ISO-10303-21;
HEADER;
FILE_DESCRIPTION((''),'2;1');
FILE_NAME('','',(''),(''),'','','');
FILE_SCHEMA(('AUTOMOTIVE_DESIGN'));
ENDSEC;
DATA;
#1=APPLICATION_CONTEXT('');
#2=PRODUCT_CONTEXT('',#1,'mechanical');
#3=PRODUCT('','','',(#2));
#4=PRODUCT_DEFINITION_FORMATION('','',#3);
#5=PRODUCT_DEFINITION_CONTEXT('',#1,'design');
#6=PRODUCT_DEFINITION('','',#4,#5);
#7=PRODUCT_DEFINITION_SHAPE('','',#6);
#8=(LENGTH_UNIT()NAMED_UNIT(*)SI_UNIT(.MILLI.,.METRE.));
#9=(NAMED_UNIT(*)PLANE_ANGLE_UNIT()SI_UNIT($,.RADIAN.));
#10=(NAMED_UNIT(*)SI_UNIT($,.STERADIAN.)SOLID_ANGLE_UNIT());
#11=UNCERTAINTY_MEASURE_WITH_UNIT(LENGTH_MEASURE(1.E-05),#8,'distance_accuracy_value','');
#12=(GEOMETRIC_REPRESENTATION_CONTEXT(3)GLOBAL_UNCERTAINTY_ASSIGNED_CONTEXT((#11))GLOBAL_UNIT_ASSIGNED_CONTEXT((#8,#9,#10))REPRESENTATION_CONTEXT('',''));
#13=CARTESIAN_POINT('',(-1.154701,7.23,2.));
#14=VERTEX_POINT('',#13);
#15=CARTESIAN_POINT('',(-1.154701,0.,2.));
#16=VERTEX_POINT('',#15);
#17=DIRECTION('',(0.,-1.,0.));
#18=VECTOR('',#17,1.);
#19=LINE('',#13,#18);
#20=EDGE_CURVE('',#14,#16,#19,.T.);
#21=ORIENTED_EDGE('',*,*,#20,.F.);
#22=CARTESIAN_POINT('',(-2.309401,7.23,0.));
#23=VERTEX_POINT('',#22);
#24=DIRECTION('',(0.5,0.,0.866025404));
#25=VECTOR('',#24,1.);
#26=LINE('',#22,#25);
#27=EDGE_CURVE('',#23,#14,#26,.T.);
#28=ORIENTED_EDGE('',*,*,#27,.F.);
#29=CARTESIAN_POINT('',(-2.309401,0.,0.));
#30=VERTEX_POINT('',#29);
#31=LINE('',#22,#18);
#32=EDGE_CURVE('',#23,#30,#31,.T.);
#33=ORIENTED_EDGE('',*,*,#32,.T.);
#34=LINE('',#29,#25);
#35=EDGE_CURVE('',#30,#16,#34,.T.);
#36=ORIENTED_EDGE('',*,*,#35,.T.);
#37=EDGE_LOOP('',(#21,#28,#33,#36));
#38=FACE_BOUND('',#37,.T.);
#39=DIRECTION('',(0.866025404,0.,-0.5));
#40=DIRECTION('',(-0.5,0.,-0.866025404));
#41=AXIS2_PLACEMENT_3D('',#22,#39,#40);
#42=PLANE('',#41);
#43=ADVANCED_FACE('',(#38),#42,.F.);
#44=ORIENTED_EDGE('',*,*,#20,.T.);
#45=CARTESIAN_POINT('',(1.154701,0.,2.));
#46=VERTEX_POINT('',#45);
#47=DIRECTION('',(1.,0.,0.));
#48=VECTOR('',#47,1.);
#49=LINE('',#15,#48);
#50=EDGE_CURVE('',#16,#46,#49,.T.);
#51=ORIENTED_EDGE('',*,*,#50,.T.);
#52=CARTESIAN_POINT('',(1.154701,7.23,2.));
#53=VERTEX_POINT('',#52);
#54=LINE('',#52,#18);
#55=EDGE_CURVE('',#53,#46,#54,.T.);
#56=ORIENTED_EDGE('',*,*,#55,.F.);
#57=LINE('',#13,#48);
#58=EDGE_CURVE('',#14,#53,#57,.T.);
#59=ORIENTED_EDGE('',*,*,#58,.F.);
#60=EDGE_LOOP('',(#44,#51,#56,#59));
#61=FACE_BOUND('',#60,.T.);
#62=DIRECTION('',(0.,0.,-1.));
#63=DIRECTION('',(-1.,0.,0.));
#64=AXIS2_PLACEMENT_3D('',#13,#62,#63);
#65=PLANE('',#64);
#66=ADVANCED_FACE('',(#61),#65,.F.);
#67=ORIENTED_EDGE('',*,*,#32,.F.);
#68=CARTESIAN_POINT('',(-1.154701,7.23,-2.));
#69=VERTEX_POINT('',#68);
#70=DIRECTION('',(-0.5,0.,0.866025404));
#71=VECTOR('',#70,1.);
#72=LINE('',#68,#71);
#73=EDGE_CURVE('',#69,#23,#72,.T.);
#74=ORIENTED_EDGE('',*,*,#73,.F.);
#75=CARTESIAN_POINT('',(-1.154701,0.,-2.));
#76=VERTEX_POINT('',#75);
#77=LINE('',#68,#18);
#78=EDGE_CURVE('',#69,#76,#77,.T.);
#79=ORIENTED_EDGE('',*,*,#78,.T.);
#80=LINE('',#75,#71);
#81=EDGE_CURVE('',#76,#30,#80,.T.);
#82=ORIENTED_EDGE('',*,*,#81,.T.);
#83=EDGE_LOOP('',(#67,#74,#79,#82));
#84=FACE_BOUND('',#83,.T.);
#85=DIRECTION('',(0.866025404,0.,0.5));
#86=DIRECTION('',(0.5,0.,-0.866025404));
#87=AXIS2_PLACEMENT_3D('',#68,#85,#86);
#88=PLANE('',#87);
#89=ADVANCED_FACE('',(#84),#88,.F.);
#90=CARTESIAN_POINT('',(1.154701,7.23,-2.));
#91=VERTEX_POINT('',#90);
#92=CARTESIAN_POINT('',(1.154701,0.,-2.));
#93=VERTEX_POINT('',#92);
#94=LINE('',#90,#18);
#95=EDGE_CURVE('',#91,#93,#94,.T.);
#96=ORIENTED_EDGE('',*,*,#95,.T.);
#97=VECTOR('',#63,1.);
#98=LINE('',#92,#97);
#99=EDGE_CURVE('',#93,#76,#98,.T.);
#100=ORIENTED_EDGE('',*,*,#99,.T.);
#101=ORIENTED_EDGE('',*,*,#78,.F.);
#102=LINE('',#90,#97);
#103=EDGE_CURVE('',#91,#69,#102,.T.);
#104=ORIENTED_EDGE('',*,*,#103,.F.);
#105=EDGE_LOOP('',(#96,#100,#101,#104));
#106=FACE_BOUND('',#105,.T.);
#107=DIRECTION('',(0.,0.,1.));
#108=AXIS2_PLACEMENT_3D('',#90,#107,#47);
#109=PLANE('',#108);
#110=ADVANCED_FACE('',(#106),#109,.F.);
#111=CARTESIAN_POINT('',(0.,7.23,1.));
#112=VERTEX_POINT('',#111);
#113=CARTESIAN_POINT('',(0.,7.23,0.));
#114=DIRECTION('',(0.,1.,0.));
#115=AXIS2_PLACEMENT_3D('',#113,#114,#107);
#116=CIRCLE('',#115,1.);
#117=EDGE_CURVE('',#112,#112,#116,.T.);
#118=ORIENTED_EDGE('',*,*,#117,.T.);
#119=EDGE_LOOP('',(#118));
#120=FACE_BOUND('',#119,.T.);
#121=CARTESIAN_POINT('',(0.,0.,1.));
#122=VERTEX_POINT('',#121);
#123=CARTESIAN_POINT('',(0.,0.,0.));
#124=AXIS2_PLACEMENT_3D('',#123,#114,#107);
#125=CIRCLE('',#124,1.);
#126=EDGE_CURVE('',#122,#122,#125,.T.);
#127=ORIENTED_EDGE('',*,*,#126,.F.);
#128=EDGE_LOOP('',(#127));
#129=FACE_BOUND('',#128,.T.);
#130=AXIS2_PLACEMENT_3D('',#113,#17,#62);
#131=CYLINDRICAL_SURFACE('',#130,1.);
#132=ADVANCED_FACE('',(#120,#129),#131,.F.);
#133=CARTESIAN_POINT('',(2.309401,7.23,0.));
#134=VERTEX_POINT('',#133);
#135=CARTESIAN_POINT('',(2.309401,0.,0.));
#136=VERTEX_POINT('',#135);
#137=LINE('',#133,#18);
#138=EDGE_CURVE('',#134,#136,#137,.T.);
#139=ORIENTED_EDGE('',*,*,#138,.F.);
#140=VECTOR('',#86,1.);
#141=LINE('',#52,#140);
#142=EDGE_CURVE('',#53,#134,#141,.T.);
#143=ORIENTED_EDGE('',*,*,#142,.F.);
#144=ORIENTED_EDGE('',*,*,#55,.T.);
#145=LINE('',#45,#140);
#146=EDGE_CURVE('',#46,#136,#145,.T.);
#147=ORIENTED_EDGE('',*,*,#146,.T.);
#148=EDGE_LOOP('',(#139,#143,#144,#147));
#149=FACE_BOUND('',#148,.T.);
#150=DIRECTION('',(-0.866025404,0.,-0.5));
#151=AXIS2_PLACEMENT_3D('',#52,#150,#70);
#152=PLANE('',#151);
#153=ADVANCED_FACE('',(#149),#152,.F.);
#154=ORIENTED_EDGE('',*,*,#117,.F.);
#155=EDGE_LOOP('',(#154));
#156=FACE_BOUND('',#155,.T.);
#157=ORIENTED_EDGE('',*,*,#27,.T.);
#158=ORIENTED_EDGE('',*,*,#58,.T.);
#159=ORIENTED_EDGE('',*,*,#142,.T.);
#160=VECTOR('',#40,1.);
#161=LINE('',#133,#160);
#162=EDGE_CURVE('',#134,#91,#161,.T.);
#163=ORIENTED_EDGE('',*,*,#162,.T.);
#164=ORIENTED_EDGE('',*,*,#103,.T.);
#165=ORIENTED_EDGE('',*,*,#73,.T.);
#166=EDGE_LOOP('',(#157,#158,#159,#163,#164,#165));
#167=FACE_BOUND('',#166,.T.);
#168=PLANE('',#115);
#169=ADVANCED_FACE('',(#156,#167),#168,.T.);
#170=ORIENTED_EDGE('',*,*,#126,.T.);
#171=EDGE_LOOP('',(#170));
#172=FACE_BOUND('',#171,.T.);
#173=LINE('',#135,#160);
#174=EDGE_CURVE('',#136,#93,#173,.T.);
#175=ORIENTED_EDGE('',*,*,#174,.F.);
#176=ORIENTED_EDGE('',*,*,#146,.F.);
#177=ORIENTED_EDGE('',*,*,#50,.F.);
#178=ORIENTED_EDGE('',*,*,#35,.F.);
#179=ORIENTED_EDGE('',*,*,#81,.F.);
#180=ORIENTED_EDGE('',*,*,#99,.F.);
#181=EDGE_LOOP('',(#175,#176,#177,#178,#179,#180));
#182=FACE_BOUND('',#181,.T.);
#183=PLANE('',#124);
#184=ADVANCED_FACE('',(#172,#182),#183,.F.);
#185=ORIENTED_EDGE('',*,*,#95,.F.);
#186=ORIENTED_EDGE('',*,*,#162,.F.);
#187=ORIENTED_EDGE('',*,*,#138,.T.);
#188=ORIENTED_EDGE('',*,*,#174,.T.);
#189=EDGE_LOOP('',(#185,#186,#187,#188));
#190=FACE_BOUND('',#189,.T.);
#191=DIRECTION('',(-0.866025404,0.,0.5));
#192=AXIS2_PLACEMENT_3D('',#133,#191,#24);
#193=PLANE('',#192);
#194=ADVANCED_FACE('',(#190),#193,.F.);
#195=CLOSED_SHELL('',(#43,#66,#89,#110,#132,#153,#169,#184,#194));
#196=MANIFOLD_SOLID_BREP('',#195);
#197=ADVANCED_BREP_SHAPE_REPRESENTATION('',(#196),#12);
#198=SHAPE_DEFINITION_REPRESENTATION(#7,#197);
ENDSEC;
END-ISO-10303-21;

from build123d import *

# Parameters (mm, degrees)
SKETCH_1_R      = 1
EXTRUDE_1_DEPTH = 7.23


with BuildPart() as part:
    # 草图1 → 凸台-拉伸1 (new body)
    with BuildSketch(Plane(origin=(0, 0, 0), x_dir=(1, 0, 0), z_dir=(0, 1, 0))):
        Polygon((2.309401077, 0), (1.154700538, 2), (-1.154700538, 2), (-2.309401077, 0), (-1.154700538, -2), (1.154700538, -2), align=None)
        Circle(SKETCH_1_R, mode=Mode.SUBTRACT)
    extrude(amount=EXTRUDE_1_DEPTH)


solid = part.part
